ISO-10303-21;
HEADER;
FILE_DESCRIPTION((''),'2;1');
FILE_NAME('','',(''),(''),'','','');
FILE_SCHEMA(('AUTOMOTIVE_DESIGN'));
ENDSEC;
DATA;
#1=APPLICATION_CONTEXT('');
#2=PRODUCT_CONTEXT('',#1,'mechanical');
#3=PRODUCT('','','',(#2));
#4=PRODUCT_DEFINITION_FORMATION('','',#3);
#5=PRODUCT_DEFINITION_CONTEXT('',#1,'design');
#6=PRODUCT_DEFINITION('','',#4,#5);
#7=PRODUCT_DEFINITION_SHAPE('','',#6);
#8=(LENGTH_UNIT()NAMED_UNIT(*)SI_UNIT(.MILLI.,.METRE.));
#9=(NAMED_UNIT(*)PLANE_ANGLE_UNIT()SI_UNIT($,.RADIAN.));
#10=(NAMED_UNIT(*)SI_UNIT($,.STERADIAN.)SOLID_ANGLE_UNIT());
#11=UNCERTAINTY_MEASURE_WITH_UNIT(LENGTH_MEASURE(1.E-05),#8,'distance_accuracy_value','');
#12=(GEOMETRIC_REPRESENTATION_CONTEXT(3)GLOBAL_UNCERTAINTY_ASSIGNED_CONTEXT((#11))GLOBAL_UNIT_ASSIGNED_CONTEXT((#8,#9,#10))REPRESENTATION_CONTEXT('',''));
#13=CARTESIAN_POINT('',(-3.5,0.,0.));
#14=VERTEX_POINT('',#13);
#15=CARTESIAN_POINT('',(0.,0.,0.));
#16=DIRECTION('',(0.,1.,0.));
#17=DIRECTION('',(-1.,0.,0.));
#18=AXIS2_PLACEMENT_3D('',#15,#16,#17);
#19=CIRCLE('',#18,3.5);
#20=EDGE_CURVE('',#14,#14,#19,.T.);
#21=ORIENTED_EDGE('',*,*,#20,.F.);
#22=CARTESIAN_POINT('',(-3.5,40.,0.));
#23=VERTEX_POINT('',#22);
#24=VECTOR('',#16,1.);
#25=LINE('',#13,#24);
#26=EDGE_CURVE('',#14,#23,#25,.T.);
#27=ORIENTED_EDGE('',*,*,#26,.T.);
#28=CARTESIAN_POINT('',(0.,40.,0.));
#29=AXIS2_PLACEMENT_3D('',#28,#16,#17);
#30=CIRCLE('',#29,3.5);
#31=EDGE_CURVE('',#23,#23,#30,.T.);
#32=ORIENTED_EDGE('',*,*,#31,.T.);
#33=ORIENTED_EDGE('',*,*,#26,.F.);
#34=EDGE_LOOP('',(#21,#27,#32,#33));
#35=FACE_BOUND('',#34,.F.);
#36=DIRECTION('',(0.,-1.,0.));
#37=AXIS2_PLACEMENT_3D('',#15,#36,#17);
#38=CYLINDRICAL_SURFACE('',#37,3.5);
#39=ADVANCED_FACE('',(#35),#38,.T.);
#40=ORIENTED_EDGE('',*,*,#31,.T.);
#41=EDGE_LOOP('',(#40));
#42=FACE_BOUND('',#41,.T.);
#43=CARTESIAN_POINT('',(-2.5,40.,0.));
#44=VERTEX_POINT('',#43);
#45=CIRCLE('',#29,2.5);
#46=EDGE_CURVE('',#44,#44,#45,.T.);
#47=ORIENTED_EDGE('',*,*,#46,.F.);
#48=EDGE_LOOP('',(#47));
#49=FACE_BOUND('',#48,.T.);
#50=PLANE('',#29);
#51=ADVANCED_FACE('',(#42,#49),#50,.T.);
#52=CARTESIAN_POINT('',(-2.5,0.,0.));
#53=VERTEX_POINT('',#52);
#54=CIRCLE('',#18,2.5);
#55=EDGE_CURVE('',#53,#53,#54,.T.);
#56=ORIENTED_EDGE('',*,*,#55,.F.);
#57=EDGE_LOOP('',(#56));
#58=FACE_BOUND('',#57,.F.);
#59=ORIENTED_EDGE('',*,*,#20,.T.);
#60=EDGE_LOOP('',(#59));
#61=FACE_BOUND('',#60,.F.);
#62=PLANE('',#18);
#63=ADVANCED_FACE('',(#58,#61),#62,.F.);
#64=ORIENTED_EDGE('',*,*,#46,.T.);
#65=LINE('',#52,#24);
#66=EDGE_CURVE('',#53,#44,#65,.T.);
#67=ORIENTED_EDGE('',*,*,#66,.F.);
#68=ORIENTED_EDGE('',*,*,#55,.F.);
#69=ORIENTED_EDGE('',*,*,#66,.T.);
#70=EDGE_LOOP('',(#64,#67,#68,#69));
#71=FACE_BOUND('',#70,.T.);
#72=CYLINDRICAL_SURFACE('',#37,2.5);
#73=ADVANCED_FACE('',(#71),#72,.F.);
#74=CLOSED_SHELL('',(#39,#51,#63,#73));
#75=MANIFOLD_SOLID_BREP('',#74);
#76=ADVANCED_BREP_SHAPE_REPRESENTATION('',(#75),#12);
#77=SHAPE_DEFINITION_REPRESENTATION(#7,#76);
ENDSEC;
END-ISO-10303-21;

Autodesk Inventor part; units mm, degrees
ref_plane "YZ Plane" through (0, 0, 0) normal (1, 0, 0) x (0, 1, 0)
ref_plane "XZ Plane" through (0, 0, 0) normal (0, 1, 0) x (-1, 0, 0)
ref_plane "XY Plane" through (0, 0, 0) normal (0, 0, 1) x (1, 0, 0)
sketch "Sketch1" plane through (0, 0, 0) normal (0, 1, 0) x (-1, 0, 0)
  circle A0 centre (0, 0) radius 2.5
  circle A1 centre (0, 0) radius 3.5
  dimension "d0" = 5
  dimension "d1" = 7
extrude "Extrusion1" add sketch "Sketch1" along normal blind 40
properties part number "Spacer"
